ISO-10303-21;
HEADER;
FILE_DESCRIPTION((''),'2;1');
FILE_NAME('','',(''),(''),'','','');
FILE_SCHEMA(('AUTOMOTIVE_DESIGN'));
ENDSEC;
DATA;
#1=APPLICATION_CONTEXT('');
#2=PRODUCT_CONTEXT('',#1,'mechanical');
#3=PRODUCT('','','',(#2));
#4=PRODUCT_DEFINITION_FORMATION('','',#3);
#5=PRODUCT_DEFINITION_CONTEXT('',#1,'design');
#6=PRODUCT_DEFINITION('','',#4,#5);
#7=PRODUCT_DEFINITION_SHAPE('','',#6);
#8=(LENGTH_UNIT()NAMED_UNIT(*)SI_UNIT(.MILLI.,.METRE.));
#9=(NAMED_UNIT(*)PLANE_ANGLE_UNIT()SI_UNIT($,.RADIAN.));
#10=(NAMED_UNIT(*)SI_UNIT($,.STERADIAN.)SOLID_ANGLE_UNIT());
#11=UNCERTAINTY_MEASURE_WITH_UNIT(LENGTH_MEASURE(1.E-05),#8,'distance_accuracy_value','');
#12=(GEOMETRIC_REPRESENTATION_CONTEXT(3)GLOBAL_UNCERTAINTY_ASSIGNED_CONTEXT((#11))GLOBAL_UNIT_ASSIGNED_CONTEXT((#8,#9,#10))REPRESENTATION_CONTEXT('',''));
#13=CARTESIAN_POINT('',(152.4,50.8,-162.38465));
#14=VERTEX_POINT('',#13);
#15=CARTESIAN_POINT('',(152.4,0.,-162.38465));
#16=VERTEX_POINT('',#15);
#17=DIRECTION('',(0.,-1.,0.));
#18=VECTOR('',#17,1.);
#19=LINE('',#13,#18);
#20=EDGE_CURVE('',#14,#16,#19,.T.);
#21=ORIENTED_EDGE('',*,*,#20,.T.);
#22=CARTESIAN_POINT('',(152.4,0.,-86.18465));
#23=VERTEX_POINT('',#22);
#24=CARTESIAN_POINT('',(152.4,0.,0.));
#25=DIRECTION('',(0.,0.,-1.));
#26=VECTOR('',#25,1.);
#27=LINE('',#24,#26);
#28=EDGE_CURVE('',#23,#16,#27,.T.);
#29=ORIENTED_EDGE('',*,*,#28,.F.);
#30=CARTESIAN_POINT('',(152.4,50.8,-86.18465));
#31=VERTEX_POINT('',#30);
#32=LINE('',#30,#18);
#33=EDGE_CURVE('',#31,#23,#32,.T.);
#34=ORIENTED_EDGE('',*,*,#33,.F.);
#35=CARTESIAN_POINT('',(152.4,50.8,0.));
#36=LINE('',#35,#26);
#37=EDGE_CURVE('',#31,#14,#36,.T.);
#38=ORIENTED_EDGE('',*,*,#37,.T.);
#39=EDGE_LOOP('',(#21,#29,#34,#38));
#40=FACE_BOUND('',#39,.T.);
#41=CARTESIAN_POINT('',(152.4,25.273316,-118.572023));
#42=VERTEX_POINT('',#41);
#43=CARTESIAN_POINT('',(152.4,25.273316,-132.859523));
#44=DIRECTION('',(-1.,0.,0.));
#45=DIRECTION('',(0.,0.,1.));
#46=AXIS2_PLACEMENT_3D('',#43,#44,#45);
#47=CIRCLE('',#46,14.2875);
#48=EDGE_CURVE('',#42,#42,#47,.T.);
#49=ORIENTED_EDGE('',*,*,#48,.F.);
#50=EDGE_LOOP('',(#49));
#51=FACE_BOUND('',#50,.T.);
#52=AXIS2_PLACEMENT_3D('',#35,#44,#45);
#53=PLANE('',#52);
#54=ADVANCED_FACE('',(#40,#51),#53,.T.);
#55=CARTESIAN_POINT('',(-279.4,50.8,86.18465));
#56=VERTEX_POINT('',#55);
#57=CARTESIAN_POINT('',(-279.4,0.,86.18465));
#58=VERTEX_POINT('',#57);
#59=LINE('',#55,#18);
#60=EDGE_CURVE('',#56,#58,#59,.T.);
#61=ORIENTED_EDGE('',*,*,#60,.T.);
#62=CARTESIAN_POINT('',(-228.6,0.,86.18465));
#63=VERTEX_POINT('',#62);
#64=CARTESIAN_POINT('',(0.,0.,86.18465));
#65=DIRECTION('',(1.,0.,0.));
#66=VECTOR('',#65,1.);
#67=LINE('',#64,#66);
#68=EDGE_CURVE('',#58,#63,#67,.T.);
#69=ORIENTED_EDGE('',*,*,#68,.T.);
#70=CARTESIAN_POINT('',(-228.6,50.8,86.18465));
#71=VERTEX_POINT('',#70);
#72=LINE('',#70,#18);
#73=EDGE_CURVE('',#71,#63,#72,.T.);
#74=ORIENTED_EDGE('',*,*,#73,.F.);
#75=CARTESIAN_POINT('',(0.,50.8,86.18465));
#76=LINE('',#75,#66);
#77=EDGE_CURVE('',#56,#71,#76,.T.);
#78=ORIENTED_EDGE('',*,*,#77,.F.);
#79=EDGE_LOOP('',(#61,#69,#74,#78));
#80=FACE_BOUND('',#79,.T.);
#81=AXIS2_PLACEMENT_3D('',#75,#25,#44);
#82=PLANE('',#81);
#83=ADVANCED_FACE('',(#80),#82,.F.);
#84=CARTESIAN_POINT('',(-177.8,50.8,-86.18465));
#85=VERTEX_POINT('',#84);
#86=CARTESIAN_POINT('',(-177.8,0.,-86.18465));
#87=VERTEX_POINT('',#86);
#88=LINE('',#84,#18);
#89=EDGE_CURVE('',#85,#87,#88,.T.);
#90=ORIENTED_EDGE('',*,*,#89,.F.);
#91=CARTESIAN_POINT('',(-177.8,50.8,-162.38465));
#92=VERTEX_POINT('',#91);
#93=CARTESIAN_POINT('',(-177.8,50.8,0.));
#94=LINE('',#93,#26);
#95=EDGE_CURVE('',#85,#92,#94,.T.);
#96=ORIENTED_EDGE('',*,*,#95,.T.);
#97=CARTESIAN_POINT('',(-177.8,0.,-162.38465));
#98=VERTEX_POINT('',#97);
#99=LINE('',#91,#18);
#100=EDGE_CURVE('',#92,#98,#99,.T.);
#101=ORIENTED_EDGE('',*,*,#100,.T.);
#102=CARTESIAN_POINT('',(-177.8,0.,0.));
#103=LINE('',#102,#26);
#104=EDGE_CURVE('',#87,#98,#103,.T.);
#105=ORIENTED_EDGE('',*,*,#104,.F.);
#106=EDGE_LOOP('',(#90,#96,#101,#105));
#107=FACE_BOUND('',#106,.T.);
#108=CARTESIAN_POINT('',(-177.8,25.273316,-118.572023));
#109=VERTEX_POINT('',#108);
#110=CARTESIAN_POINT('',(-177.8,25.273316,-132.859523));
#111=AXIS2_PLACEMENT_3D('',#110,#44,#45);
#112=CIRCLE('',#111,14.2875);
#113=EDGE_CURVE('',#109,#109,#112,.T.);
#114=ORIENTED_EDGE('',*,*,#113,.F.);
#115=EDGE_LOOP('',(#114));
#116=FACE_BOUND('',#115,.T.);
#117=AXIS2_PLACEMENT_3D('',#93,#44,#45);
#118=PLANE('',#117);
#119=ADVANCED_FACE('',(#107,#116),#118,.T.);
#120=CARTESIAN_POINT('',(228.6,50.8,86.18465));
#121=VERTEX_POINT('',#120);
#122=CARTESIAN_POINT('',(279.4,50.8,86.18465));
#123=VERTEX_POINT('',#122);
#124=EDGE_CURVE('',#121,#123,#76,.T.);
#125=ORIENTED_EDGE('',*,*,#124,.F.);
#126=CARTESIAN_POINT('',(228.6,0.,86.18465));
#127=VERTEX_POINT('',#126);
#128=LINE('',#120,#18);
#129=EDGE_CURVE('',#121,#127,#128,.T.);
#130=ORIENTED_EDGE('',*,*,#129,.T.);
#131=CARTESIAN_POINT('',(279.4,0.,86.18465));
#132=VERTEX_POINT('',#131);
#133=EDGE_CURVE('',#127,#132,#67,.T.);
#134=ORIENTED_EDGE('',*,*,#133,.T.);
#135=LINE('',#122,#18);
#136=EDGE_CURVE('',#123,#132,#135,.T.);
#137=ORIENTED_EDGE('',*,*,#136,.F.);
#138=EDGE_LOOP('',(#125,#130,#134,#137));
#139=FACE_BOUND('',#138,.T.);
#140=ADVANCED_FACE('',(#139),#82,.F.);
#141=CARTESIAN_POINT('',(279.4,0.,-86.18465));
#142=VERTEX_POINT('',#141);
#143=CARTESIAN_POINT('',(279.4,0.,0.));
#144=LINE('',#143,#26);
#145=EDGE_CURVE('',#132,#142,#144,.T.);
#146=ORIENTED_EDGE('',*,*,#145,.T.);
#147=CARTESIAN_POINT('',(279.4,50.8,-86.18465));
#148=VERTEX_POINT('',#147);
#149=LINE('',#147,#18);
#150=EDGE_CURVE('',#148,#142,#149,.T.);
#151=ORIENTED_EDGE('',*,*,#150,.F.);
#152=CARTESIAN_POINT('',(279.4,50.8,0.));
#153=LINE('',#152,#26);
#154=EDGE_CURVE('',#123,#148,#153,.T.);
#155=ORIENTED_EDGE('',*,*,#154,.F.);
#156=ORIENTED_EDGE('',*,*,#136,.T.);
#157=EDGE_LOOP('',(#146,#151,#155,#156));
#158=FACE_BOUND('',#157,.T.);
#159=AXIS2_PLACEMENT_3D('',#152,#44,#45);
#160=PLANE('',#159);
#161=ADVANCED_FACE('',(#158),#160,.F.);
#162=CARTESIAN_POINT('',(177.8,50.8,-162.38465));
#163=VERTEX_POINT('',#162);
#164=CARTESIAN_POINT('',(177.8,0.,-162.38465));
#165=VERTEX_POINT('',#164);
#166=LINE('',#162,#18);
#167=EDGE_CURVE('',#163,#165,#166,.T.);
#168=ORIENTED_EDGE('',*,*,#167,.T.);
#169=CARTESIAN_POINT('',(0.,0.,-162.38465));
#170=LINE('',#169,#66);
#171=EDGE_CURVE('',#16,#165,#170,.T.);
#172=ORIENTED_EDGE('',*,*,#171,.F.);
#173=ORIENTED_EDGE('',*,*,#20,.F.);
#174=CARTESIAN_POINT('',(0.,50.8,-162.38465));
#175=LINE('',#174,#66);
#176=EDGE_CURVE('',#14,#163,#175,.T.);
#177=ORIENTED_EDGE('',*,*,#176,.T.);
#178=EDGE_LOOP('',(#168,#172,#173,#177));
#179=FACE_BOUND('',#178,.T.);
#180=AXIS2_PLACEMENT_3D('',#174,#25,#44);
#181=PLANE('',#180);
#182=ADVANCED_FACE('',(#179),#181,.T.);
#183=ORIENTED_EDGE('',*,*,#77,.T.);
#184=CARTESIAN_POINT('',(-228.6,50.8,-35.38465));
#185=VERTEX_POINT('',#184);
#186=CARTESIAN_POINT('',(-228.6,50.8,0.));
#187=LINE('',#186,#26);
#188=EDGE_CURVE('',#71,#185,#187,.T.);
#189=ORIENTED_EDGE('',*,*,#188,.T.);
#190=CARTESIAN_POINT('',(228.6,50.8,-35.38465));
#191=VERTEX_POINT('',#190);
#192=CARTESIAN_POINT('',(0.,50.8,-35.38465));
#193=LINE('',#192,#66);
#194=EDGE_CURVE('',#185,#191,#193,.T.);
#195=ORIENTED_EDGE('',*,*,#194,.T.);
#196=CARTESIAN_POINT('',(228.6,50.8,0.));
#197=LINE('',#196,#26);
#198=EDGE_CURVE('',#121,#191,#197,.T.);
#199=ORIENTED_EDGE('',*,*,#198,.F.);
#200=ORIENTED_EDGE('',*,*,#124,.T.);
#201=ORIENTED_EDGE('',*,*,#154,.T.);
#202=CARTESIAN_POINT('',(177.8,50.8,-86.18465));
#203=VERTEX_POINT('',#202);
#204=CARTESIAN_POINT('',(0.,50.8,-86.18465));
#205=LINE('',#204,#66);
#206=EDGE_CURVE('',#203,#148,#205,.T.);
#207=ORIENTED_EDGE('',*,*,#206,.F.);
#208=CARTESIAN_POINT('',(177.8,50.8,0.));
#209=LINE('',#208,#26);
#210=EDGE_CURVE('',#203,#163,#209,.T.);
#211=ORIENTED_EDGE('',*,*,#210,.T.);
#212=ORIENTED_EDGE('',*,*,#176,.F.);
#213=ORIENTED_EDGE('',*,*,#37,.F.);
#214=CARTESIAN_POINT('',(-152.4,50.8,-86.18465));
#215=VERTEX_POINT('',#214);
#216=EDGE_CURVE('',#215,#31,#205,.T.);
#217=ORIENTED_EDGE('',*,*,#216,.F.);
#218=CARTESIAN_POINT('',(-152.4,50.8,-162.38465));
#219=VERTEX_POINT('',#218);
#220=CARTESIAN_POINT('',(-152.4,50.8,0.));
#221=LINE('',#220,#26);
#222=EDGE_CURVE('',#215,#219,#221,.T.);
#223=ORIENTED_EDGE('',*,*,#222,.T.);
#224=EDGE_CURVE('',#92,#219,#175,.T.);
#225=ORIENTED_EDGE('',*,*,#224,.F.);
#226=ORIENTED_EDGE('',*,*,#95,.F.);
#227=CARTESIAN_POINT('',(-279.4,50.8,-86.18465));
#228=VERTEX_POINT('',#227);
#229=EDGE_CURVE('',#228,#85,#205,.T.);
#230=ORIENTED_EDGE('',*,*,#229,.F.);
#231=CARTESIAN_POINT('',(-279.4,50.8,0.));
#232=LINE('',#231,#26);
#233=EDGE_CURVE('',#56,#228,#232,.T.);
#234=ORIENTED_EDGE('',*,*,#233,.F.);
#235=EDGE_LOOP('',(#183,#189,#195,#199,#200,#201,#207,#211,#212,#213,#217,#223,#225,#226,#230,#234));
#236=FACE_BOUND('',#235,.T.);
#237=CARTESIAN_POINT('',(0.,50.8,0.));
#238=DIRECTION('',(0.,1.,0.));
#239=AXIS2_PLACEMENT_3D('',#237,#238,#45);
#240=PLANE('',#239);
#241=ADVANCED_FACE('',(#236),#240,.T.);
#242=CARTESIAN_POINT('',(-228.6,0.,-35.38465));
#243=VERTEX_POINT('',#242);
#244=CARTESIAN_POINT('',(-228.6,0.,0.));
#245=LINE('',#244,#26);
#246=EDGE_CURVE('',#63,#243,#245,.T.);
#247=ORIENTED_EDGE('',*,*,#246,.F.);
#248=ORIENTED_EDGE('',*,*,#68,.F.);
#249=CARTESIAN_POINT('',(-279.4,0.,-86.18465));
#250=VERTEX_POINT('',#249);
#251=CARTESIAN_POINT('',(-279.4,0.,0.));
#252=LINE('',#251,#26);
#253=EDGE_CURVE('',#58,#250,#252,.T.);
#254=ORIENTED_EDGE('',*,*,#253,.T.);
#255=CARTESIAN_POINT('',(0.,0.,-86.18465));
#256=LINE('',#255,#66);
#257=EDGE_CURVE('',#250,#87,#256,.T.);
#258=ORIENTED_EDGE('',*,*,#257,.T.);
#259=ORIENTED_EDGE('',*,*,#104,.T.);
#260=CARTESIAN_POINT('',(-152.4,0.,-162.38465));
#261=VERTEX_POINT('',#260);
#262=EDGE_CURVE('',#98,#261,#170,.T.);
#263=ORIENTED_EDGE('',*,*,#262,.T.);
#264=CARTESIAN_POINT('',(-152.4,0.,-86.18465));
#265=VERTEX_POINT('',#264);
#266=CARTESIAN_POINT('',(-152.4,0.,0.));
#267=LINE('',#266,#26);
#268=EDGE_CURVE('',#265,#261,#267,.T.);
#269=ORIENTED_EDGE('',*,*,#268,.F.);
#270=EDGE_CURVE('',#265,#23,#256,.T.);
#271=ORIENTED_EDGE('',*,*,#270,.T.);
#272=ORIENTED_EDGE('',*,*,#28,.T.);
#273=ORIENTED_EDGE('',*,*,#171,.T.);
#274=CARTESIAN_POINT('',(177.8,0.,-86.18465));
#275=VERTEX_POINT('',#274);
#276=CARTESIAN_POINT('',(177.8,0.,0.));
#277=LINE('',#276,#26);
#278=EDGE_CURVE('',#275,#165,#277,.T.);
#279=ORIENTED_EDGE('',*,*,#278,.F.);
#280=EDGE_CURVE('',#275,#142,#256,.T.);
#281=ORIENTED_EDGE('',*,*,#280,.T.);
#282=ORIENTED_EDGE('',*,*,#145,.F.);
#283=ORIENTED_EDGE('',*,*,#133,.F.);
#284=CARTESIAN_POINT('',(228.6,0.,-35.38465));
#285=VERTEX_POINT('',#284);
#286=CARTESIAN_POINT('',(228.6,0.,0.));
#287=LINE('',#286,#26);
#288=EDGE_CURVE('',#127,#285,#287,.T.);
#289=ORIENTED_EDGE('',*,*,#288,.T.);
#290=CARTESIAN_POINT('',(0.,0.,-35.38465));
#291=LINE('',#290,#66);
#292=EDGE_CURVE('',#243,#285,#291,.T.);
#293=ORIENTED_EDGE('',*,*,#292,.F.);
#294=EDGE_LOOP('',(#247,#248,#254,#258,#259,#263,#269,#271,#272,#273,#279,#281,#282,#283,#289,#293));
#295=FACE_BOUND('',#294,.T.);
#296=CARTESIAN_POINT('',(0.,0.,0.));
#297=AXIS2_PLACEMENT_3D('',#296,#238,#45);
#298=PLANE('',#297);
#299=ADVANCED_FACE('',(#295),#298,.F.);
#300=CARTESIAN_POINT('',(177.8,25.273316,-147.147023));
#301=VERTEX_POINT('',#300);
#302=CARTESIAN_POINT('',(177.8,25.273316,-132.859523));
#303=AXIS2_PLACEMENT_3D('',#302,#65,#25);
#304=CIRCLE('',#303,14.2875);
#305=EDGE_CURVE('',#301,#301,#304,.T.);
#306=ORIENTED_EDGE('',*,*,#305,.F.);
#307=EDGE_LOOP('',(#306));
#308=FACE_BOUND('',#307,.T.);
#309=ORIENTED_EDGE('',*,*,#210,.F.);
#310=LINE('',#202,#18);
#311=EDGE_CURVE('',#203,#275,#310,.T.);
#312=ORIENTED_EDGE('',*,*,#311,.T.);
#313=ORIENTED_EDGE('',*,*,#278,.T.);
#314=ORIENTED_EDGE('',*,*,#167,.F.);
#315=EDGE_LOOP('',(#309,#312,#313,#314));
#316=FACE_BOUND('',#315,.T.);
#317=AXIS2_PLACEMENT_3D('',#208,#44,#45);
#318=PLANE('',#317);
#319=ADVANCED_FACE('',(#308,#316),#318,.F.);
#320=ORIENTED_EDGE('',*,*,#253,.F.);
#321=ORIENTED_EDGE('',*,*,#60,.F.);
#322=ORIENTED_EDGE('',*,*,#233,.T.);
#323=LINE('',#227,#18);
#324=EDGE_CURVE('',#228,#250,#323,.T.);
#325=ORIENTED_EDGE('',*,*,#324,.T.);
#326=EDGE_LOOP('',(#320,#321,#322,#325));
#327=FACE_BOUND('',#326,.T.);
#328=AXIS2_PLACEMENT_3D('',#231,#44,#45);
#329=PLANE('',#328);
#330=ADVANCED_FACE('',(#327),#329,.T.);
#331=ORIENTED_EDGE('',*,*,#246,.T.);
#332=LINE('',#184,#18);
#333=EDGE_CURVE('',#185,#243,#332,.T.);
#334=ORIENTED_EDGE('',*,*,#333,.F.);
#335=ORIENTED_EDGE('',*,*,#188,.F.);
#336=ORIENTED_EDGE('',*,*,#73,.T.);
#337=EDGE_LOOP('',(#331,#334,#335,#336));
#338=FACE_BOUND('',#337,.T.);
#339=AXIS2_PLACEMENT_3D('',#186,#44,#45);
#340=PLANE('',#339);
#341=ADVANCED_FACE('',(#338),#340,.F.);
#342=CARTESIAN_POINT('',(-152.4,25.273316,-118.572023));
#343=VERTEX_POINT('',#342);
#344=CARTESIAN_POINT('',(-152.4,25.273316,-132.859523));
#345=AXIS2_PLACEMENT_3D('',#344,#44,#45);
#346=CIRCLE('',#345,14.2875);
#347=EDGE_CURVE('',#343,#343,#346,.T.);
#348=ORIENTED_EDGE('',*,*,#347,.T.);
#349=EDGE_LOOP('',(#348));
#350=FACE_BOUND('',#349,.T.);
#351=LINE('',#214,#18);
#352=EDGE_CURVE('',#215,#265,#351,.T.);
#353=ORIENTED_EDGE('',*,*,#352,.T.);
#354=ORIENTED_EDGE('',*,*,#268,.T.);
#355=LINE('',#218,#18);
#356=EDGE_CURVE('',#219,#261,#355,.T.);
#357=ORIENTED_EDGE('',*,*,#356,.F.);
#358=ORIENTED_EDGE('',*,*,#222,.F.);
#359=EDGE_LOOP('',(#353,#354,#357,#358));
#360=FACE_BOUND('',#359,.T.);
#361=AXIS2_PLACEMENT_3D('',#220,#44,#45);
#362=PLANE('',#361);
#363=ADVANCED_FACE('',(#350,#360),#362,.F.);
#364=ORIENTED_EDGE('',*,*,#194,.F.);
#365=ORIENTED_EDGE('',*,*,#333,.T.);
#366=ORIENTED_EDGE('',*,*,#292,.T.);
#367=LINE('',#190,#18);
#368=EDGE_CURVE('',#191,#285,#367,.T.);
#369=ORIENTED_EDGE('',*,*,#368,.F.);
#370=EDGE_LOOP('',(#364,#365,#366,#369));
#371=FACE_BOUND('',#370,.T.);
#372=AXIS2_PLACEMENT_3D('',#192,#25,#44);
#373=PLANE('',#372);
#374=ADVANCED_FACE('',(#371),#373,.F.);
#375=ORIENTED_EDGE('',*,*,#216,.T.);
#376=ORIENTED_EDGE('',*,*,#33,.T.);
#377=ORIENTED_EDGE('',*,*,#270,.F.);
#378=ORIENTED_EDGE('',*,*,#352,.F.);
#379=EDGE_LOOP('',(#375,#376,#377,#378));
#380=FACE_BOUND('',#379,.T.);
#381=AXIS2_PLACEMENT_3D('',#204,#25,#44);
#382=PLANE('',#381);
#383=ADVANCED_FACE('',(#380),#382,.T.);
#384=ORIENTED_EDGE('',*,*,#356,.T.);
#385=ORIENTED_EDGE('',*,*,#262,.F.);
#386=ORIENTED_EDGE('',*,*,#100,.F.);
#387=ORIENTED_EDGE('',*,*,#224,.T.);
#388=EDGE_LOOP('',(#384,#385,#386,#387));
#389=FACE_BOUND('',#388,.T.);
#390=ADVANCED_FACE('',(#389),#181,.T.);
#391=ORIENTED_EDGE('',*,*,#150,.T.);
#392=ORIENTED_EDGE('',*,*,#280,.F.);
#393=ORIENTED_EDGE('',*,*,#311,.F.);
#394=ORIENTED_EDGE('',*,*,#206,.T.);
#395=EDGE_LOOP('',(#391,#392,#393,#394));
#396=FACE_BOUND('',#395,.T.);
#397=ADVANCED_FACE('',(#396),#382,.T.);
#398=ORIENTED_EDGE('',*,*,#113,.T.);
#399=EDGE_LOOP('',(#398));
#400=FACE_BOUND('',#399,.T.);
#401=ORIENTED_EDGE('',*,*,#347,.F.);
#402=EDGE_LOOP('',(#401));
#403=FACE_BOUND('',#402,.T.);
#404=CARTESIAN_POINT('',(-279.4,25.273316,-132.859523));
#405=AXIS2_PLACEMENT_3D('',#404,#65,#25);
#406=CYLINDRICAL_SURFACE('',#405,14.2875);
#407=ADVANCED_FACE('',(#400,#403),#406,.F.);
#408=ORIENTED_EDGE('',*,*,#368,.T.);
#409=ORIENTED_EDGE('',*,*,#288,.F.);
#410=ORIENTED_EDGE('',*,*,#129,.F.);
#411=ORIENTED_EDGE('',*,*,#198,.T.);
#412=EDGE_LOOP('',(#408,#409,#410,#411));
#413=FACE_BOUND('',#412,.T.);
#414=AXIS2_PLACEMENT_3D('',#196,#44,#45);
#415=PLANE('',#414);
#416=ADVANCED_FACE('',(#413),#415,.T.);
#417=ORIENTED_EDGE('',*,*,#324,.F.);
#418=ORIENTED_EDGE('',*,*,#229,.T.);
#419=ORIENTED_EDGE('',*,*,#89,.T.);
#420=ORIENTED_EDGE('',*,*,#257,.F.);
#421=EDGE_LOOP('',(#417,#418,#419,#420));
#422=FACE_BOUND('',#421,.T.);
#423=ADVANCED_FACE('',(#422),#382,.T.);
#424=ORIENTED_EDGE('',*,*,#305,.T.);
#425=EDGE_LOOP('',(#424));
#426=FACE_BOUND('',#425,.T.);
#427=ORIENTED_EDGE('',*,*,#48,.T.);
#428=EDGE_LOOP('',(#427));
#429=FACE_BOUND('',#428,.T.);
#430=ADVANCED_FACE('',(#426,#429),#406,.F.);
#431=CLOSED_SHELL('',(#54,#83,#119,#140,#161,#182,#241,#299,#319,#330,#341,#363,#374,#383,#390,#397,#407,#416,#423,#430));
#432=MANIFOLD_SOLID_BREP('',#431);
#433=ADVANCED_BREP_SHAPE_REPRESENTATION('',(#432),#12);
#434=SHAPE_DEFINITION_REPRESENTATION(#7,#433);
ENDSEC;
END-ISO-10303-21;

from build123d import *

# Parameters (mm, degrees)
SKETCH1_W           = 25.4
SKETCH1_H           = 76.2
BOSS_EXTRUDE1_DEPTH = 50.8
SKETCH2_R           = 14.2875
CUT_EXTRUDE1_DEPTH  = 488.833224229


with BuildPart() as part:
    # Sketch1 → Boss-Extrude1 (new body)
    with BuildSketch(Plane(origin=(0, 0, 0), x_dir=(1, 0, 0), z_dir=(0, 1, 0))):
        Polygon((-279.4, 86.184650326), (-279.4, -86.184650326), (-228.6, -86.184650326), (-228.6, 35.384650326), (228.6, 35.384650326), (228.6, -86.184650326), (279.4, -86.184650326), (279.4, 86.184650326), (177.8, 86.184650326), (152.4, 86.184650326), (-152.4, 86.184650326), (-177.8, 86.184650326), align=None)
        with Locations((-165.1, 124.284650326)):
            Rectangle(SKETCH1_W, SKETCH1_H)
        with Locations((165.1, 124.284650326)):
            Rectangle(SKETCH1_W, SKETCH1_H)
    extrude(amount=BOSS_EXTRUDE1_DEPTH)

    # Sketch2 → Cut-Extrude1 (cut, through all)
    with BuildSketch(Plane(origin=(177.8, 0, 0), x_dir=(0, 0, -1), z_dir=(1, 0, 0))):
        with Locations(Location((132.85952271, 25.273316146, 0), (0, 0, 180))):
            Circle(SKETCH2_R)
    extrude(amount=-CUT_EXTRUDE1_DEPTH, mode=Mode.SUBTRACT)


solid = part.part
